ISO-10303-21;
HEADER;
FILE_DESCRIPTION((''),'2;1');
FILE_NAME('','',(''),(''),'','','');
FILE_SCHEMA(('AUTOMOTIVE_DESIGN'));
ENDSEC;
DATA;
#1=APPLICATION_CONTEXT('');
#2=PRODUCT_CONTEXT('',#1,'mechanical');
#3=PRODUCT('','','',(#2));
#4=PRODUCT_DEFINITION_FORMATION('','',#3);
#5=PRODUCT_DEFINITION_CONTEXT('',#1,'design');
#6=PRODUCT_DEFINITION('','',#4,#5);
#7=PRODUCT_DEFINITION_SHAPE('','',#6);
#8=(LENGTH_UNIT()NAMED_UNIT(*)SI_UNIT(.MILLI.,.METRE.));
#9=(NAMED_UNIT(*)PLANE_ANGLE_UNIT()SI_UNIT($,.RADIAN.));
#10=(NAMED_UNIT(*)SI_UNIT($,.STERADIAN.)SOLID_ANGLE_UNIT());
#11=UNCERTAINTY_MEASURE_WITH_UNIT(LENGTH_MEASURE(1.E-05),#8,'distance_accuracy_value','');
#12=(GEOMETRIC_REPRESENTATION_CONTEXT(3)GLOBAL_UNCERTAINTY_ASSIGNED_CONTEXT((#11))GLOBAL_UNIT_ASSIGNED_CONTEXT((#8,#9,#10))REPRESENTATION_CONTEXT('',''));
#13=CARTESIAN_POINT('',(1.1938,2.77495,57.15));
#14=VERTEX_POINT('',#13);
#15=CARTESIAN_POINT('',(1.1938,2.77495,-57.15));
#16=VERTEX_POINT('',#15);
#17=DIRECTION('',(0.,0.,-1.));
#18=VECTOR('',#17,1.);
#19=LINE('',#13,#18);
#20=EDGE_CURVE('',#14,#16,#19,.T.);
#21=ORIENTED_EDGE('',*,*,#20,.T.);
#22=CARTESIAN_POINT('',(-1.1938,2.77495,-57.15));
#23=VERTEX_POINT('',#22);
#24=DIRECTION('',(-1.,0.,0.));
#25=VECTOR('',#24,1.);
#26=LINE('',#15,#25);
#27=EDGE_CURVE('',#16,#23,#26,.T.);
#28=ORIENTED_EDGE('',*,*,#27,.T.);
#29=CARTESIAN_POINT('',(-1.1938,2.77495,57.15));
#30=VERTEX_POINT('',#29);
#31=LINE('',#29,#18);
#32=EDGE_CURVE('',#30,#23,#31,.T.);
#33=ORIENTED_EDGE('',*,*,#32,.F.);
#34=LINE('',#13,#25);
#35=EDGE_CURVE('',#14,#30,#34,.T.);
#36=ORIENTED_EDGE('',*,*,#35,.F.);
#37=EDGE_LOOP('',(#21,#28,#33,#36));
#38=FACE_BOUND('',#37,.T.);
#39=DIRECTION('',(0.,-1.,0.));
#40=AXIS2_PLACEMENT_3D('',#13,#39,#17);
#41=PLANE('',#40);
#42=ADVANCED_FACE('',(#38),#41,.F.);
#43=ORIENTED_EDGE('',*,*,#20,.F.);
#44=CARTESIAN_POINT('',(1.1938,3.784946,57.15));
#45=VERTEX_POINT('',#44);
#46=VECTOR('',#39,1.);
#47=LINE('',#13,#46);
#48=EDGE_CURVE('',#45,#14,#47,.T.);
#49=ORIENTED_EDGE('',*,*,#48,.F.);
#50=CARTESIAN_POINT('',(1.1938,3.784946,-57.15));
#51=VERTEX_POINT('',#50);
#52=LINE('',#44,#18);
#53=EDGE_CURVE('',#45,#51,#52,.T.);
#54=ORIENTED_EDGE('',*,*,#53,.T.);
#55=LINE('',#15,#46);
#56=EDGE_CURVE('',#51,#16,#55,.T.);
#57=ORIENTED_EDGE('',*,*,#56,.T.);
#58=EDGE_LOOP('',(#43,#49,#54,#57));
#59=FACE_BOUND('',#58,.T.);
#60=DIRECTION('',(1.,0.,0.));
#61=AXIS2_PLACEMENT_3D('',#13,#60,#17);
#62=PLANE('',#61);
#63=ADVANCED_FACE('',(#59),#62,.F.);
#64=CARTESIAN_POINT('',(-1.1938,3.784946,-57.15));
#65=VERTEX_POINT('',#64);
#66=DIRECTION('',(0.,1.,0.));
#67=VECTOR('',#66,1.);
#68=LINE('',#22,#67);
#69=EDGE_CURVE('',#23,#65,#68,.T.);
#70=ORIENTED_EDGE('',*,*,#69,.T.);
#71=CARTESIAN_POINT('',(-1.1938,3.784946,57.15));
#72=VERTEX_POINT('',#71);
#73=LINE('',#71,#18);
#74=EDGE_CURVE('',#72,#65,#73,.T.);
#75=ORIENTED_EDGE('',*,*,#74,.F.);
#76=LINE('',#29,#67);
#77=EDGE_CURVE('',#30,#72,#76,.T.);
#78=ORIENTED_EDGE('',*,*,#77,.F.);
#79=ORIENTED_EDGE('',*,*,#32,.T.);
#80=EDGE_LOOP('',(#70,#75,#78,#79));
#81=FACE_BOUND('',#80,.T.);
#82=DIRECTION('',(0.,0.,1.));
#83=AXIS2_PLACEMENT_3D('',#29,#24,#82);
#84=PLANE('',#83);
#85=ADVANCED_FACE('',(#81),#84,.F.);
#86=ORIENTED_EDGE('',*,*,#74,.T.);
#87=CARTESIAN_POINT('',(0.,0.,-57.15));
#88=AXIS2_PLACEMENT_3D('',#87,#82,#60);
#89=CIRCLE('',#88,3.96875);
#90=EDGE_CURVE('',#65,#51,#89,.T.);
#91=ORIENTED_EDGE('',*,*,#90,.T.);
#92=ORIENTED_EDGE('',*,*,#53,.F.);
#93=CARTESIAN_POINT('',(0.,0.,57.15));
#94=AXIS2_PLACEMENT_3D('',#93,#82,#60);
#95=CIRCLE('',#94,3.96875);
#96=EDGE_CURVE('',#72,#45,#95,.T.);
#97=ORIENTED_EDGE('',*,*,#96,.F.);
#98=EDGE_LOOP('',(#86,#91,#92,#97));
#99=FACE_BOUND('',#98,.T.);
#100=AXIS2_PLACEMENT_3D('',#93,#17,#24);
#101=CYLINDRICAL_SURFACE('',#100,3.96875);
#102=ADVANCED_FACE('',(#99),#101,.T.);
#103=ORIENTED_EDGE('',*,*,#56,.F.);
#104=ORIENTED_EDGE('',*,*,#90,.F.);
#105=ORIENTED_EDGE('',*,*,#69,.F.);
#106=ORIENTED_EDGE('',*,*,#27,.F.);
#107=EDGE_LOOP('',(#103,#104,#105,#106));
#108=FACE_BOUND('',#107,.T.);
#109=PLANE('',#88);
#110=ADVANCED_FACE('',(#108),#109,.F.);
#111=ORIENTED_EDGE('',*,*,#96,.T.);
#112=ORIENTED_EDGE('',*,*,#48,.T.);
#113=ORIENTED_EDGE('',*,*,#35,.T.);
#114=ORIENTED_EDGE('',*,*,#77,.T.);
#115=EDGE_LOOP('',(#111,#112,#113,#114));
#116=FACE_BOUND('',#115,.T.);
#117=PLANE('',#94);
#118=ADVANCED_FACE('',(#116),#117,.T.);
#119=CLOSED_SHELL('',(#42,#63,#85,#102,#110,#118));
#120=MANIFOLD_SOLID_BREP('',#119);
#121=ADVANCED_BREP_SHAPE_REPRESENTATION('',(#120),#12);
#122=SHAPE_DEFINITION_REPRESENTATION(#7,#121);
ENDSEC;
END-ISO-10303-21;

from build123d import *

# Parameters (mm, degrees)
BOSS_EXTRUDE1_DEPTH      = 57.15
BOSS_EXTRUDE1_DEPTH_BACK = 57.15


with BuildPart() as part:
    # Sketch3 → Boss-Extrude1 (new, two sides: drawn at the far end of the back side and taken through both)
    with BuildSketch(Plane.XY.offset(-BOSS_EXTRUDE1_DEPTH_BACK)):
        with BuildLine():
            Line((-1.1938, 2.77495), (-1.1938, 3.784946251))
            ThreePointArc((-1.1938, 3.784946251), (0, -3.96875), (1.1938, 3.784946251))
            Line((1.1938, 3.784946251), (1.1938, 2.77495))
            Line((1.1938, 2.77495), (-1.1938, 2.77495))
        make_face()
    extrude(amount=BOSS_EXTRUDE1_DEPTH + BOSS_EXTRUDE1_DEPTH_BACK)


solid = part.part
